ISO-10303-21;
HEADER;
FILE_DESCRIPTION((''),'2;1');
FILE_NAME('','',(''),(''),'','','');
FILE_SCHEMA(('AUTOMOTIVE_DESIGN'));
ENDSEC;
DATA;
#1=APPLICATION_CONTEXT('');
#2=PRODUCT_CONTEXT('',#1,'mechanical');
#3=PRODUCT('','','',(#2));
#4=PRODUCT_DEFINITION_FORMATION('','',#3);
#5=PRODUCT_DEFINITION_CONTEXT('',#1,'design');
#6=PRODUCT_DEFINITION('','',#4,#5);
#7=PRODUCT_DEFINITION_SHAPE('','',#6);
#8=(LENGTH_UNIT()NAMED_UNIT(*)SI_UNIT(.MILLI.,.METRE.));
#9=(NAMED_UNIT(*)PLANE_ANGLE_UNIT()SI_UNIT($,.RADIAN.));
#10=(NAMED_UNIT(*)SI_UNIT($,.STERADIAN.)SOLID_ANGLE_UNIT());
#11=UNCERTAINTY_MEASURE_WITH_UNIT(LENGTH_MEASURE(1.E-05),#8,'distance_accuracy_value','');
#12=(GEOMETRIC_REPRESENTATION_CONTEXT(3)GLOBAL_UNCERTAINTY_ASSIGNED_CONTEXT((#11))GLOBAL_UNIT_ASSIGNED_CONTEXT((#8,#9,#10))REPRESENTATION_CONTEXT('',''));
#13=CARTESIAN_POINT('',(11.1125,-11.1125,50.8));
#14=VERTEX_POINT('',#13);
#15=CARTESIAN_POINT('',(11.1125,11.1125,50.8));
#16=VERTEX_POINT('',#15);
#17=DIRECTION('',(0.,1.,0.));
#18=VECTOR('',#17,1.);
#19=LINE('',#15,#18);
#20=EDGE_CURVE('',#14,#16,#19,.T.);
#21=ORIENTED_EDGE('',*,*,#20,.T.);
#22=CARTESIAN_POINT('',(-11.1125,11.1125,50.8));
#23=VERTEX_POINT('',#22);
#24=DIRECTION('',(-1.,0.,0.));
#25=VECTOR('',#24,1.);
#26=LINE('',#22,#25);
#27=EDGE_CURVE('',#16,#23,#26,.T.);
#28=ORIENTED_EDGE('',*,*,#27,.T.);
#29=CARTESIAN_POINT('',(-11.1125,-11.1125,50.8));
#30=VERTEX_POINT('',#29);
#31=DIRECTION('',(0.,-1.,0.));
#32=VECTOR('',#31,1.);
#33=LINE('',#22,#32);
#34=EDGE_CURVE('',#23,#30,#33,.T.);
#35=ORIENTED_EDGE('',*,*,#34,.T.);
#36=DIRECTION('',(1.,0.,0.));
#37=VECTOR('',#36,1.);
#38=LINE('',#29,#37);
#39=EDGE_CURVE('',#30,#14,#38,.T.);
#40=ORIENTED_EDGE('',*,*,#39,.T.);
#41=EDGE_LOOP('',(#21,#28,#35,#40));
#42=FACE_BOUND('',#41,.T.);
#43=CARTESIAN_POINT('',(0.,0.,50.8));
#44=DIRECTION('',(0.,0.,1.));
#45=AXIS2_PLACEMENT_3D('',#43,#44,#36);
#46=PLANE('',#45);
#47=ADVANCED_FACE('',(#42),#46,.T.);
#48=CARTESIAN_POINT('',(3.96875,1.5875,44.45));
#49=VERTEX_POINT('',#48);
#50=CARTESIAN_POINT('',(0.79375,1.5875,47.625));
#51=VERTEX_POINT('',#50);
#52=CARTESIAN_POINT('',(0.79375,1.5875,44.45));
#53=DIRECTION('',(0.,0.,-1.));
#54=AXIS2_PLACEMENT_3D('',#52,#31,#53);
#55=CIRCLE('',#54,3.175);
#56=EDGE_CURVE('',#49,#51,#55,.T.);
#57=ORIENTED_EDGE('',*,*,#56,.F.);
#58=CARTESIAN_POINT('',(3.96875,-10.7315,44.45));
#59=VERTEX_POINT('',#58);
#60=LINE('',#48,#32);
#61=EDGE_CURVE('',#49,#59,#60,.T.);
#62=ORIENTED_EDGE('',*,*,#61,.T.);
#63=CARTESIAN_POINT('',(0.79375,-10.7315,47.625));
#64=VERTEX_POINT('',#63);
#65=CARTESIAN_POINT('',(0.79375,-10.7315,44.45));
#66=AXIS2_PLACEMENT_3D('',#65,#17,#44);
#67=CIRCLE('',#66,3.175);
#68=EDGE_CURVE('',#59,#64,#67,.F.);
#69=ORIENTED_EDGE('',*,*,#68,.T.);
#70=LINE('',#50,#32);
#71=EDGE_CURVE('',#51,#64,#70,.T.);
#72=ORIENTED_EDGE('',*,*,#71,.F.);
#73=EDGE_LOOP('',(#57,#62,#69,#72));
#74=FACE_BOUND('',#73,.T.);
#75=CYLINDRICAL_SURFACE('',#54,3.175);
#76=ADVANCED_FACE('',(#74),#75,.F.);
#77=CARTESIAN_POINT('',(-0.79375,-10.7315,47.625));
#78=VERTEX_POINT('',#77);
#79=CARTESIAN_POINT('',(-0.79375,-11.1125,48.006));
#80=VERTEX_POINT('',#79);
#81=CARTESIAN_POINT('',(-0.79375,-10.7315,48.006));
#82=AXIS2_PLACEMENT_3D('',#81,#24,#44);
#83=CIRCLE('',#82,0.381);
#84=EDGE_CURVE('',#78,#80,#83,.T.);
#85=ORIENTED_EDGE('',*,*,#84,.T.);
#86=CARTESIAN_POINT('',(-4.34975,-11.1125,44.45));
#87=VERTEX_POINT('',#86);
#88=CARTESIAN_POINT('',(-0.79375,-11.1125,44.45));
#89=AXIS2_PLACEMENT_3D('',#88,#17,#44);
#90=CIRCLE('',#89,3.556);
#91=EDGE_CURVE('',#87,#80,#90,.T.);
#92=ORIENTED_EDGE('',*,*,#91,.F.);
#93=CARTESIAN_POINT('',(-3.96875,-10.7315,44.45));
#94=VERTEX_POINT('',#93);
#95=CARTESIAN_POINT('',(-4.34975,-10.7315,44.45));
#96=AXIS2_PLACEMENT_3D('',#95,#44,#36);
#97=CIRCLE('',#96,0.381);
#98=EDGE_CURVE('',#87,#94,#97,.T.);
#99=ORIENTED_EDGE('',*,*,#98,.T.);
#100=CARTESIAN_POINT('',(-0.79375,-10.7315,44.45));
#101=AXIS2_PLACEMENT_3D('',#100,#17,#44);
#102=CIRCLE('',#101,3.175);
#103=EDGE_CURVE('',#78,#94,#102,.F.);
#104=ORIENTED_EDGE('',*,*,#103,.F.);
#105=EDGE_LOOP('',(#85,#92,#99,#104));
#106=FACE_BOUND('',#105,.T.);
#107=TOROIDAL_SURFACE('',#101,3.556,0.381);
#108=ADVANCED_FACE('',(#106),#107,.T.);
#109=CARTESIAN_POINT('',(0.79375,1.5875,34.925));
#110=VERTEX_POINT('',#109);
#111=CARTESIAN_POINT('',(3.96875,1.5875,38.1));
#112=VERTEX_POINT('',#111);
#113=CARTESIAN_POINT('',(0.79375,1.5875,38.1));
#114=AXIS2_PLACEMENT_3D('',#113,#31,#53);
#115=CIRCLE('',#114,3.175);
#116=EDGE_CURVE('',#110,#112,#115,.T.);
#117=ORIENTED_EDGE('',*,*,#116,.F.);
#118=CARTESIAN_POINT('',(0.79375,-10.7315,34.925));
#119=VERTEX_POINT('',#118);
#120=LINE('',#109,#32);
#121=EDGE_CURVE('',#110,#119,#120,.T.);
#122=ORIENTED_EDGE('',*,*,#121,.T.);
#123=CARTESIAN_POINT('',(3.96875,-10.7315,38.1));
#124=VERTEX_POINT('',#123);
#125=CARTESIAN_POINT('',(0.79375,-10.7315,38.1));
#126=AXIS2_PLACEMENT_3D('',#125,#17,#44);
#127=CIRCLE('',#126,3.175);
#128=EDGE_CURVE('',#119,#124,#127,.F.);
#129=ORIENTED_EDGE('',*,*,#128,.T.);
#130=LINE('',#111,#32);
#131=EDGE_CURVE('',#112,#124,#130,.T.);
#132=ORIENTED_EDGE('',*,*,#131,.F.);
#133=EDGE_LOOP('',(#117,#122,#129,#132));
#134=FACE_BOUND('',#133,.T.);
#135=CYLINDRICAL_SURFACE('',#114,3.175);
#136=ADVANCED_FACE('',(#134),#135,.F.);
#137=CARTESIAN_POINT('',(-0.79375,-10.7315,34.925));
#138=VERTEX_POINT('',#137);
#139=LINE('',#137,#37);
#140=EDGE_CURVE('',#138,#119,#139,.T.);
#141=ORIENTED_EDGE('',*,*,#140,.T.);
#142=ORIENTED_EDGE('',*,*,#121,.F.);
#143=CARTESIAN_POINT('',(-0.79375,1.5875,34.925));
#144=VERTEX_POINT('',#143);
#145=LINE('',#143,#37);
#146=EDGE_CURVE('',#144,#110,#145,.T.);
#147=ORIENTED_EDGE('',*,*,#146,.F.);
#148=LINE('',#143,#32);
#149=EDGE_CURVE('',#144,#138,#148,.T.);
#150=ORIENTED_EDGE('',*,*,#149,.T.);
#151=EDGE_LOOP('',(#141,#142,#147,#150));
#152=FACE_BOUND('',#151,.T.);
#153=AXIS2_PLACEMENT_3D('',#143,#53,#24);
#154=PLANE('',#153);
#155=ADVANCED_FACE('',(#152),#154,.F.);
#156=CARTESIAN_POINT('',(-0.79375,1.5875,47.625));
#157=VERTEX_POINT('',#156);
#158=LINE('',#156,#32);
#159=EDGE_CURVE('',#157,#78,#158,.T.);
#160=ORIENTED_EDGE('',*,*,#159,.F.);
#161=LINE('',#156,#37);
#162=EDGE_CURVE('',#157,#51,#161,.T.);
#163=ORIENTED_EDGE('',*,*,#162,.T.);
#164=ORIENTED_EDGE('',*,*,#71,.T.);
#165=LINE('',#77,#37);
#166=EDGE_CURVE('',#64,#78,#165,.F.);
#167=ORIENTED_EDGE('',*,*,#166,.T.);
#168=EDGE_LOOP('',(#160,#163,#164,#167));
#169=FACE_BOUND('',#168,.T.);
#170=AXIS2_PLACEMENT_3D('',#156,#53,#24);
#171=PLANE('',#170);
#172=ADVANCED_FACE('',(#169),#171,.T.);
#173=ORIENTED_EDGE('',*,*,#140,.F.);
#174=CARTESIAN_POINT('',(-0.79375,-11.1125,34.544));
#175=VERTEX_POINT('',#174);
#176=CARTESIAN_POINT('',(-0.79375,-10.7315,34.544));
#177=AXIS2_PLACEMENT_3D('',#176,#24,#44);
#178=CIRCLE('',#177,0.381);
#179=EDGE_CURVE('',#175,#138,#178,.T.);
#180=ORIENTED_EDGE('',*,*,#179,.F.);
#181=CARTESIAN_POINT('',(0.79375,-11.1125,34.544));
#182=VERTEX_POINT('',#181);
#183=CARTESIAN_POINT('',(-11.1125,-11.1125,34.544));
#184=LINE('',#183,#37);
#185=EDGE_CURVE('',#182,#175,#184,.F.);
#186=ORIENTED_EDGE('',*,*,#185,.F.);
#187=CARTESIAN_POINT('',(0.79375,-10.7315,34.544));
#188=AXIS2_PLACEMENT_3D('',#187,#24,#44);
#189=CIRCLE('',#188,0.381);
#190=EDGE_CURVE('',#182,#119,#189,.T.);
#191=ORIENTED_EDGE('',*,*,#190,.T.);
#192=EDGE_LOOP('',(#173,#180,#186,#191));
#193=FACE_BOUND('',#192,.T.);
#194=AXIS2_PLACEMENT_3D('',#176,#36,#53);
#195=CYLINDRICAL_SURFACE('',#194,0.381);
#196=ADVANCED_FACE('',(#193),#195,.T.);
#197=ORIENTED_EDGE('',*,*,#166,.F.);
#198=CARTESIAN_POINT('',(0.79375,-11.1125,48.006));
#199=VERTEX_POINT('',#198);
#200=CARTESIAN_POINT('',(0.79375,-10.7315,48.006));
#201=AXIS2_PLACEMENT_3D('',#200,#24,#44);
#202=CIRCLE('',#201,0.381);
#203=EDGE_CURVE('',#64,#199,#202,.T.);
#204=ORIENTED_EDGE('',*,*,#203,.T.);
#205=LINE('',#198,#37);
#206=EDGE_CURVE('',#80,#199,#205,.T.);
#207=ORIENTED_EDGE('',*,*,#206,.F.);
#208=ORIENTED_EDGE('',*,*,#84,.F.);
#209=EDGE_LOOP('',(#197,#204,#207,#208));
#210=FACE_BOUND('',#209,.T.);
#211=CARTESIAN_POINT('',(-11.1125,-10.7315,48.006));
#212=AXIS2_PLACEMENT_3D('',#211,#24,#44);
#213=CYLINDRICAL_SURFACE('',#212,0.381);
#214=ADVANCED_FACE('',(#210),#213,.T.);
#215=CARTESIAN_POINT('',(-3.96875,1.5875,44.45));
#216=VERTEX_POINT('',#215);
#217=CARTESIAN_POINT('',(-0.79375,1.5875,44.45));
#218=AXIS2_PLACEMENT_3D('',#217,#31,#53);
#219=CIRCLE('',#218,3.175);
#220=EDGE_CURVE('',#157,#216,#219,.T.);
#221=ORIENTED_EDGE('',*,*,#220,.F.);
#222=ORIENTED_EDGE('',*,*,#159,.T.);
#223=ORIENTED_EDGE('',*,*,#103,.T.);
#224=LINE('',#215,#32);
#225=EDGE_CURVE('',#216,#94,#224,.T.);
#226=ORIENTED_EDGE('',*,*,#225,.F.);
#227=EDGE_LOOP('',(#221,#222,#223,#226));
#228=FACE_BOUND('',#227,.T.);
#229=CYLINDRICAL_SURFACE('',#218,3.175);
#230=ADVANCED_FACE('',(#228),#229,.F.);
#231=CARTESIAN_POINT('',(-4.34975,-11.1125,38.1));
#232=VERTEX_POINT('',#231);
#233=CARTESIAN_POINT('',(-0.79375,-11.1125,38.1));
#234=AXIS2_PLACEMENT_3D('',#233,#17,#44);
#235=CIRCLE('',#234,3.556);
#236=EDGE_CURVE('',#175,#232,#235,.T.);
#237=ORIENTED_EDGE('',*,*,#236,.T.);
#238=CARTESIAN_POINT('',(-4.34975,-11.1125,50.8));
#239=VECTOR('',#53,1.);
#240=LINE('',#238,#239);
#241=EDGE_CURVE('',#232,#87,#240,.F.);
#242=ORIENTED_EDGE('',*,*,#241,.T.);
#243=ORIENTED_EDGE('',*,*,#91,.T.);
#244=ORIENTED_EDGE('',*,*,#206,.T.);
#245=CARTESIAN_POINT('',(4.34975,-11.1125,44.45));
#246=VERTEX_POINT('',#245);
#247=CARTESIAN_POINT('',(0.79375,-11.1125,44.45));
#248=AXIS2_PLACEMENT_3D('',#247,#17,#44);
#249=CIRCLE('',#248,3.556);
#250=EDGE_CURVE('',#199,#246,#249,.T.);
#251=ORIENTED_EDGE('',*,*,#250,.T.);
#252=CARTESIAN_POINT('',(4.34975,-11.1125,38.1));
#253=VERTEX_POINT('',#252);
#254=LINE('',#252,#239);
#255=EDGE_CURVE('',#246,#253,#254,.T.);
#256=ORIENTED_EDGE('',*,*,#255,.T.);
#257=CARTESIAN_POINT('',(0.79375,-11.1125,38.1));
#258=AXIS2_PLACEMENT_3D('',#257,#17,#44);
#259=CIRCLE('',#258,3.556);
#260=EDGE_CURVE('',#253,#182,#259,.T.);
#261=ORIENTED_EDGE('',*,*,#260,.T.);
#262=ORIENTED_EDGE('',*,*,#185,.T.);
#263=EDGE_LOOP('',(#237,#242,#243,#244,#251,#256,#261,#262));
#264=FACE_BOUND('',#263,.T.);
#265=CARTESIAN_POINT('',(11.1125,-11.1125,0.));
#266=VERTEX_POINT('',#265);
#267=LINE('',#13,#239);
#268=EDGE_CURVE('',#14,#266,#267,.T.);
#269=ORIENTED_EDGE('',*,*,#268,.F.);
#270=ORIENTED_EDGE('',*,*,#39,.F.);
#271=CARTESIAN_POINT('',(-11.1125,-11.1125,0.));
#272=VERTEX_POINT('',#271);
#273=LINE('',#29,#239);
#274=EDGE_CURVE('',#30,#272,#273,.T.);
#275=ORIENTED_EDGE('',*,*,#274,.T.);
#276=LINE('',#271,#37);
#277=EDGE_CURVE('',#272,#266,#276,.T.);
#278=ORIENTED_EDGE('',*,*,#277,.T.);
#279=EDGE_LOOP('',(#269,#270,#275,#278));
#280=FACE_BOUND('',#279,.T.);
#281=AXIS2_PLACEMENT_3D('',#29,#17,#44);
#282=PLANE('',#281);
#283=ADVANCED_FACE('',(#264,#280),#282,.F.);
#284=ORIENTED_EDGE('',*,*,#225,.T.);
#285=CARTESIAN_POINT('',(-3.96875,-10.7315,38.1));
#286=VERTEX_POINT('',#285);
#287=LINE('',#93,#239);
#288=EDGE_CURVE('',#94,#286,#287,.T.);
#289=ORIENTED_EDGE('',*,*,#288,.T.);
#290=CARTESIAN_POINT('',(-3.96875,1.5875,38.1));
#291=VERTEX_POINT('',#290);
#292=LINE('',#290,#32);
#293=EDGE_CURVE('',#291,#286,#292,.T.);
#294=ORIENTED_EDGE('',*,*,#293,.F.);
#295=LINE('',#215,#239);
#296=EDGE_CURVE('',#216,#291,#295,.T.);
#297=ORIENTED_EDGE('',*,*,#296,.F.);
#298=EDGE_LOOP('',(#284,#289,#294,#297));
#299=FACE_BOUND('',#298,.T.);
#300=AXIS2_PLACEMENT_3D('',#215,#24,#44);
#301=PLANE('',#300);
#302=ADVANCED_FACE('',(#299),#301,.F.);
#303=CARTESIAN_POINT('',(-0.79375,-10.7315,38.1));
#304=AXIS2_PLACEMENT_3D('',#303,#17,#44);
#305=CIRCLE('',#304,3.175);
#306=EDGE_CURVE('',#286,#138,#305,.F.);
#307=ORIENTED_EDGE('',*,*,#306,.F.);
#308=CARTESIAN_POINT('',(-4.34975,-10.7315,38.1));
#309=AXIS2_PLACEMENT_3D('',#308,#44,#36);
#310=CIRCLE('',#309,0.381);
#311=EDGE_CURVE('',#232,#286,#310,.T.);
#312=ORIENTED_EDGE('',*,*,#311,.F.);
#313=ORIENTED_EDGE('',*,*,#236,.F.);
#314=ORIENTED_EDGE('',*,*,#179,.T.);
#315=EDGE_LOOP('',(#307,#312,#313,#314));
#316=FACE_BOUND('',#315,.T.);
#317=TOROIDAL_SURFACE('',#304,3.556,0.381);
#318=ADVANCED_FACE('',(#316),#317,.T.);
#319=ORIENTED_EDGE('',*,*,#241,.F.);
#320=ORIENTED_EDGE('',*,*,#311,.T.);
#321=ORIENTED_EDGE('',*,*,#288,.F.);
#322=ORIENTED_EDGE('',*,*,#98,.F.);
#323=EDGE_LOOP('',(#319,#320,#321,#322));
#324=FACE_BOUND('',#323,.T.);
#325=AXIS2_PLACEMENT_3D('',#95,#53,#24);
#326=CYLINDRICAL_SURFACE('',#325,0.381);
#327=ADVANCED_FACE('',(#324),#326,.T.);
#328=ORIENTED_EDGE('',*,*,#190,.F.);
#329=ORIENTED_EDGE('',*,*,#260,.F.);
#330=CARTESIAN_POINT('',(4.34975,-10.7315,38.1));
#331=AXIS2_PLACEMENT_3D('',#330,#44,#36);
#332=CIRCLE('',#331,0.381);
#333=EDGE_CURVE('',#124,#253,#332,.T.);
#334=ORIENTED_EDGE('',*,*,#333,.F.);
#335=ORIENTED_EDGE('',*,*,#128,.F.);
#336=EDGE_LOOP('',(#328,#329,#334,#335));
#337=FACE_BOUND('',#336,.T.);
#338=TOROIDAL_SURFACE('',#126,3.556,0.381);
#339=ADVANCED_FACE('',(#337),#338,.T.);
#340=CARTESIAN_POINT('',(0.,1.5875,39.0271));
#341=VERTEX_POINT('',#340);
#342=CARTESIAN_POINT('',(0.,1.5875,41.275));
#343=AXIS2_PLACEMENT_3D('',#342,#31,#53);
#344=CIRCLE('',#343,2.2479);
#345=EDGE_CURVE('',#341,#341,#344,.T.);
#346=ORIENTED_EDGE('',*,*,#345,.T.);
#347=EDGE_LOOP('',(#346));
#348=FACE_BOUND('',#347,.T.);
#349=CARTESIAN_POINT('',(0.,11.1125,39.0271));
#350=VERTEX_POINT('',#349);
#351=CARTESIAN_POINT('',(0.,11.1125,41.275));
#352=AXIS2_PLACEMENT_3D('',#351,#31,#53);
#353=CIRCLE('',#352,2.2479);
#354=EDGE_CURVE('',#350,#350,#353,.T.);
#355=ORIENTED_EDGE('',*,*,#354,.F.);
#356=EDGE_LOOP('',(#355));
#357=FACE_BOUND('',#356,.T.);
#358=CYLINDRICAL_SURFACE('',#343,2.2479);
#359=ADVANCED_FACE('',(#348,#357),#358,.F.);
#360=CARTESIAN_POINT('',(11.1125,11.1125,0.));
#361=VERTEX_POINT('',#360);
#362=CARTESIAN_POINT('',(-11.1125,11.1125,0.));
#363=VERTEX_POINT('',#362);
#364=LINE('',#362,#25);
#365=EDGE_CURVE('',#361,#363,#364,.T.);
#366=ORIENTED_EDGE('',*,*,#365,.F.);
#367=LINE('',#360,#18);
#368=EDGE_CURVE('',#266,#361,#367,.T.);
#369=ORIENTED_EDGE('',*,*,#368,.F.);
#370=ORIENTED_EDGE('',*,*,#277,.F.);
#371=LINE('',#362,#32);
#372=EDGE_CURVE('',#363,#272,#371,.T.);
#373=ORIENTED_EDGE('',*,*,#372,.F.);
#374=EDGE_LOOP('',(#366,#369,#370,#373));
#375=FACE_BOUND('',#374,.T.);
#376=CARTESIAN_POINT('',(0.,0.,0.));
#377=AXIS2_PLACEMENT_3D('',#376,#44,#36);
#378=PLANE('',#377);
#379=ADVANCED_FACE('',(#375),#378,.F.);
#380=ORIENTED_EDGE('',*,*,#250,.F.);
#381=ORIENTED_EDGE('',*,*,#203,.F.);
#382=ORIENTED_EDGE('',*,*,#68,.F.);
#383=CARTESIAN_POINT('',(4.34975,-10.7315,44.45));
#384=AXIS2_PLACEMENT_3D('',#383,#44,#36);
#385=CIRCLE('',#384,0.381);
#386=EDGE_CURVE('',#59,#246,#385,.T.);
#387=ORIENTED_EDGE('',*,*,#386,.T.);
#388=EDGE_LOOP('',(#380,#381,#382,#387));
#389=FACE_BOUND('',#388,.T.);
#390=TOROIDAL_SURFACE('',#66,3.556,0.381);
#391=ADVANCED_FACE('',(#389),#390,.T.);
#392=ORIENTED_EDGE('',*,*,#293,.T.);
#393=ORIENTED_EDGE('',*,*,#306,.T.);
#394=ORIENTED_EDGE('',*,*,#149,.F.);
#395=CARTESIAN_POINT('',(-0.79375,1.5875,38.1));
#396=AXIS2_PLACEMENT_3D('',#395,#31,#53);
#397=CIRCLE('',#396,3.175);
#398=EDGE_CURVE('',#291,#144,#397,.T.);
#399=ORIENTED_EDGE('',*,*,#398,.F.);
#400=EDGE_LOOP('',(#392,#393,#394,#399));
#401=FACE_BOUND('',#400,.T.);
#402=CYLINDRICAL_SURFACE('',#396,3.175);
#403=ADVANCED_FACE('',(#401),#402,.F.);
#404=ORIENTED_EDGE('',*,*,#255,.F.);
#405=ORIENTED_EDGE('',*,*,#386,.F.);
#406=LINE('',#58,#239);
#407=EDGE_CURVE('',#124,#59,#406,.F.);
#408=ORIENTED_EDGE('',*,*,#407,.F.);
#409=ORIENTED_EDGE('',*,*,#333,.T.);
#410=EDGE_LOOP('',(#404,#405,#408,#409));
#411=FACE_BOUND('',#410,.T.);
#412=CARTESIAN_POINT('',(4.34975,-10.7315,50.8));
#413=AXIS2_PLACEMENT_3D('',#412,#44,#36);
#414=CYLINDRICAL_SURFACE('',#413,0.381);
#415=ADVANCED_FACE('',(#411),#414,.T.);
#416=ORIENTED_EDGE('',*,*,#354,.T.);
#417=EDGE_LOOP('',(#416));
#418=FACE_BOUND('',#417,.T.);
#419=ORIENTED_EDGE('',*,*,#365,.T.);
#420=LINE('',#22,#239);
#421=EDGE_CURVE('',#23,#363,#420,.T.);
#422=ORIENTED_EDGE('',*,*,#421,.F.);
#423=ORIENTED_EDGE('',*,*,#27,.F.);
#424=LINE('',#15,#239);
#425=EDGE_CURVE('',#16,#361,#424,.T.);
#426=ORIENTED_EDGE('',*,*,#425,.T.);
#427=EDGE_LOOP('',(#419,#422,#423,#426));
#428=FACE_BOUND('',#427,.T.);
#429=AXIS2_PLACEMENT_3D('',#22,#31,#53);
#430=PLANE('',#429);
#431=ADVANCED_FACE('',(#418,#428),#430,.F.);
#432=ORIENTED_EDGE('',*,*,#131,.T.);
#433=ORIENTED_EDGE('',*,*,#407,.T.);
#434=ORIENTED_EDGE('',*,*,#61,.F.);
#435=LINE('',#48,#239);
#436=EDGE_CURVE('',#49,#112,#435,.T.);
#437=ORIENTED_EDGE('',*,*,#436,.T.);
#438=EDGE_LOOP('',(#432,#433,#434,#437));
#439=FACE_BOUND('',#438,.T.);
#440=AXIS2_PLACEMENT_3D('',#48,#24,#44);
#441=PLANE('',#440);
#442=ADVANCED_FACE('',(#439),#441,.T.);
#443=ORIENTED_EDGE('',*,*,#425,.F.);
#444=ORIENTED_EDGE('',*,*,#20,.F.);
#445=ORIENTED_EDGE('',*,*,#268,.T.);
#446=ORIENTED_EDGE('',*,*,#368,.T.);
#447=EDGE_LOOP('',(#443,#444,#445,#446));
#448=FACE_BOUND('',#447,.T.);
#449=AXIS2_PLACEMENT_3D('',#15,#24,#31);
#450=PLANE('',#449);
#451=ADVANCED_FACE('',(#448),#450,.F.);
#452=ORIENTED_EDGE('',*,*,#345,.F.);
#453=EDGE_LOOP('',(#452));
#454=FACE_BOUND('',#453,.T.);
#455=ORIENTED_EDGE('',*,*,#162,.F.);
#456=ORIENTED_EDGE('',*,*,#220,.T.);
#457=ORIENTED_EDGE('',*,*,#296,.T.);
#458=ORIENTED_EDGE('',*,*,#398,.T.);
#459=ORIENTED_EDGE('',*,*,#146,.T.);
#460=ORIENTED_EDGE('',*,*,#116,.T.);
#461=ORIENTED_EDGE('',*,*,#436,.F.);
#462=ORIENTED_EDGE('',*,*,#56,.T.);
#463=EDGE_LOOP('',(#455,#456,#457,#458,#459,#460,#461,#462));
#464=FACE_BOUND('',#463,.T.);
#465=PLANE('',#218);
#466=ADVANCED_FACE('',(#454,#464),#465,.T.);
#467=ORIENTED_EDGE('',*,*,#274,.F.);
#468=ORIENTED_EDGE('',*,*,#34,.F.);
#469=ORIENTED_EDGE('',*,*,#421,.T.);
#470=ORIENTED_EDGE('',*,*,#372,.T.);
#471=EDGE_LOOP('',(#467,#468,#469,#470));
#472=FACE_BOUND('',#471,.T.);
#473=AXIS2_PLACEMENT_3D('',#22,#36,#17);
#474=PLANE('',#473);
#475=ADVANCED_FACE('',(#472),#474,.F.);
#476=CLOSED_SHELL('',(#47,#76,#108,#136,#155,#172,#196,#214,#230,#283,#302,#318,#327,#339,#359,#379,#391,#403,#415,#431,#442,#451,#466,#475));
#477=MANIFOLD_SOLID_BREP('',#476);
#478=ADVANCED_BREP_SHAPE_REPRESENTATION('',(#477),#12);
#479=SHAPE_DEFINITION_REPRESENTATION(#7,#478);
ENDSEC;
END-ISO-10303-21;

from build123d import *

# Parameters (mm, degrees)
SKETCH1_W             = 22.225
SKETCH1_H             = 22.225
BOSS_EXTRUDE1_DEPTH   = 50.8
CUT_EXTRUDE1_DEPTH    = 12.7
F_8_CLEARANCE_HOLE1_D = 4.4958
FILLET1_R             = 0.381


with BuildPart() as part:
    # Sketch1 → Boss-Extrude1 (new body)
    with BuildSketch(Plane.XY):
        Rectangle(SKETCH1_W, SKETCH1_H)
    extrude(amount=BOSS_EXTRUDE1_DEPTH)

    # Sketch2 → Cut-Extrude1 (cut)
    with BuildSketch(Plane.XZ.offset(11.1125)):
        with BuildLine():
            Line((-0.79375, 47.625), (0.79375, 47.625))
            ThreePointArc((0.79375, 47.625), (3.03881403, 46.69506403), (3.96875, 44.45))
            Line((3.96875, 44.45), (3.96875, 38.1))
            ThreePointArc((3.96875, 38.1), (3.03881403, 35.85493597), (0.79375, 34.925))
            Line((0.79375, 34.925), (-0.79375, 34.925))
            ThreePointArc((-0.79375, 34.925), (-3.03881403, 35.85493597), (-3.96875, 38.1))
            Line((-3.96875, 38.1), (-3.96875, 44.45))
            ThreePointArc((-3.96875, 44.45), (-3.03881403, 46.69506403), (-0.79375, 47.625))
        make_face()
    extrude(amount=-CUT_EXTRUDE1_DEPTH, mode=Mode.SUBTRACT)

    # #8 Clearance Hole1 (through all)
    with Locations(Plane(origin=(0, 1.5875, 0), x_dir=(-1, 0, 0), z_dir=(0, -1, 0))):
        with Locations((0, -41.275)):
            Hole(F_8_CLEARANCE_HOLE1_D / 2)

    # Fillet1
    fillet1_edges = [part.edges().sort_by_distance(p)[0] for p in [
        (0, -11.1125, 47.625),
        (3.96875, -11.1125, 41.275),
        (-3.03881403, -11.1125, 46.69506403),
        (-3.96875, -11.1125, 41.275),
        (-3.03881403, -11.1125, 35.85493597),
        (0, -11.1125, 34.925),
        (3.03881403, -11.1125, 35.85493597),
        (3.03881403, -11.1125, 46.69506403),
    ]]
    fillet(fillet1_edges, radius=FILLET1_R)


solid = part.part
